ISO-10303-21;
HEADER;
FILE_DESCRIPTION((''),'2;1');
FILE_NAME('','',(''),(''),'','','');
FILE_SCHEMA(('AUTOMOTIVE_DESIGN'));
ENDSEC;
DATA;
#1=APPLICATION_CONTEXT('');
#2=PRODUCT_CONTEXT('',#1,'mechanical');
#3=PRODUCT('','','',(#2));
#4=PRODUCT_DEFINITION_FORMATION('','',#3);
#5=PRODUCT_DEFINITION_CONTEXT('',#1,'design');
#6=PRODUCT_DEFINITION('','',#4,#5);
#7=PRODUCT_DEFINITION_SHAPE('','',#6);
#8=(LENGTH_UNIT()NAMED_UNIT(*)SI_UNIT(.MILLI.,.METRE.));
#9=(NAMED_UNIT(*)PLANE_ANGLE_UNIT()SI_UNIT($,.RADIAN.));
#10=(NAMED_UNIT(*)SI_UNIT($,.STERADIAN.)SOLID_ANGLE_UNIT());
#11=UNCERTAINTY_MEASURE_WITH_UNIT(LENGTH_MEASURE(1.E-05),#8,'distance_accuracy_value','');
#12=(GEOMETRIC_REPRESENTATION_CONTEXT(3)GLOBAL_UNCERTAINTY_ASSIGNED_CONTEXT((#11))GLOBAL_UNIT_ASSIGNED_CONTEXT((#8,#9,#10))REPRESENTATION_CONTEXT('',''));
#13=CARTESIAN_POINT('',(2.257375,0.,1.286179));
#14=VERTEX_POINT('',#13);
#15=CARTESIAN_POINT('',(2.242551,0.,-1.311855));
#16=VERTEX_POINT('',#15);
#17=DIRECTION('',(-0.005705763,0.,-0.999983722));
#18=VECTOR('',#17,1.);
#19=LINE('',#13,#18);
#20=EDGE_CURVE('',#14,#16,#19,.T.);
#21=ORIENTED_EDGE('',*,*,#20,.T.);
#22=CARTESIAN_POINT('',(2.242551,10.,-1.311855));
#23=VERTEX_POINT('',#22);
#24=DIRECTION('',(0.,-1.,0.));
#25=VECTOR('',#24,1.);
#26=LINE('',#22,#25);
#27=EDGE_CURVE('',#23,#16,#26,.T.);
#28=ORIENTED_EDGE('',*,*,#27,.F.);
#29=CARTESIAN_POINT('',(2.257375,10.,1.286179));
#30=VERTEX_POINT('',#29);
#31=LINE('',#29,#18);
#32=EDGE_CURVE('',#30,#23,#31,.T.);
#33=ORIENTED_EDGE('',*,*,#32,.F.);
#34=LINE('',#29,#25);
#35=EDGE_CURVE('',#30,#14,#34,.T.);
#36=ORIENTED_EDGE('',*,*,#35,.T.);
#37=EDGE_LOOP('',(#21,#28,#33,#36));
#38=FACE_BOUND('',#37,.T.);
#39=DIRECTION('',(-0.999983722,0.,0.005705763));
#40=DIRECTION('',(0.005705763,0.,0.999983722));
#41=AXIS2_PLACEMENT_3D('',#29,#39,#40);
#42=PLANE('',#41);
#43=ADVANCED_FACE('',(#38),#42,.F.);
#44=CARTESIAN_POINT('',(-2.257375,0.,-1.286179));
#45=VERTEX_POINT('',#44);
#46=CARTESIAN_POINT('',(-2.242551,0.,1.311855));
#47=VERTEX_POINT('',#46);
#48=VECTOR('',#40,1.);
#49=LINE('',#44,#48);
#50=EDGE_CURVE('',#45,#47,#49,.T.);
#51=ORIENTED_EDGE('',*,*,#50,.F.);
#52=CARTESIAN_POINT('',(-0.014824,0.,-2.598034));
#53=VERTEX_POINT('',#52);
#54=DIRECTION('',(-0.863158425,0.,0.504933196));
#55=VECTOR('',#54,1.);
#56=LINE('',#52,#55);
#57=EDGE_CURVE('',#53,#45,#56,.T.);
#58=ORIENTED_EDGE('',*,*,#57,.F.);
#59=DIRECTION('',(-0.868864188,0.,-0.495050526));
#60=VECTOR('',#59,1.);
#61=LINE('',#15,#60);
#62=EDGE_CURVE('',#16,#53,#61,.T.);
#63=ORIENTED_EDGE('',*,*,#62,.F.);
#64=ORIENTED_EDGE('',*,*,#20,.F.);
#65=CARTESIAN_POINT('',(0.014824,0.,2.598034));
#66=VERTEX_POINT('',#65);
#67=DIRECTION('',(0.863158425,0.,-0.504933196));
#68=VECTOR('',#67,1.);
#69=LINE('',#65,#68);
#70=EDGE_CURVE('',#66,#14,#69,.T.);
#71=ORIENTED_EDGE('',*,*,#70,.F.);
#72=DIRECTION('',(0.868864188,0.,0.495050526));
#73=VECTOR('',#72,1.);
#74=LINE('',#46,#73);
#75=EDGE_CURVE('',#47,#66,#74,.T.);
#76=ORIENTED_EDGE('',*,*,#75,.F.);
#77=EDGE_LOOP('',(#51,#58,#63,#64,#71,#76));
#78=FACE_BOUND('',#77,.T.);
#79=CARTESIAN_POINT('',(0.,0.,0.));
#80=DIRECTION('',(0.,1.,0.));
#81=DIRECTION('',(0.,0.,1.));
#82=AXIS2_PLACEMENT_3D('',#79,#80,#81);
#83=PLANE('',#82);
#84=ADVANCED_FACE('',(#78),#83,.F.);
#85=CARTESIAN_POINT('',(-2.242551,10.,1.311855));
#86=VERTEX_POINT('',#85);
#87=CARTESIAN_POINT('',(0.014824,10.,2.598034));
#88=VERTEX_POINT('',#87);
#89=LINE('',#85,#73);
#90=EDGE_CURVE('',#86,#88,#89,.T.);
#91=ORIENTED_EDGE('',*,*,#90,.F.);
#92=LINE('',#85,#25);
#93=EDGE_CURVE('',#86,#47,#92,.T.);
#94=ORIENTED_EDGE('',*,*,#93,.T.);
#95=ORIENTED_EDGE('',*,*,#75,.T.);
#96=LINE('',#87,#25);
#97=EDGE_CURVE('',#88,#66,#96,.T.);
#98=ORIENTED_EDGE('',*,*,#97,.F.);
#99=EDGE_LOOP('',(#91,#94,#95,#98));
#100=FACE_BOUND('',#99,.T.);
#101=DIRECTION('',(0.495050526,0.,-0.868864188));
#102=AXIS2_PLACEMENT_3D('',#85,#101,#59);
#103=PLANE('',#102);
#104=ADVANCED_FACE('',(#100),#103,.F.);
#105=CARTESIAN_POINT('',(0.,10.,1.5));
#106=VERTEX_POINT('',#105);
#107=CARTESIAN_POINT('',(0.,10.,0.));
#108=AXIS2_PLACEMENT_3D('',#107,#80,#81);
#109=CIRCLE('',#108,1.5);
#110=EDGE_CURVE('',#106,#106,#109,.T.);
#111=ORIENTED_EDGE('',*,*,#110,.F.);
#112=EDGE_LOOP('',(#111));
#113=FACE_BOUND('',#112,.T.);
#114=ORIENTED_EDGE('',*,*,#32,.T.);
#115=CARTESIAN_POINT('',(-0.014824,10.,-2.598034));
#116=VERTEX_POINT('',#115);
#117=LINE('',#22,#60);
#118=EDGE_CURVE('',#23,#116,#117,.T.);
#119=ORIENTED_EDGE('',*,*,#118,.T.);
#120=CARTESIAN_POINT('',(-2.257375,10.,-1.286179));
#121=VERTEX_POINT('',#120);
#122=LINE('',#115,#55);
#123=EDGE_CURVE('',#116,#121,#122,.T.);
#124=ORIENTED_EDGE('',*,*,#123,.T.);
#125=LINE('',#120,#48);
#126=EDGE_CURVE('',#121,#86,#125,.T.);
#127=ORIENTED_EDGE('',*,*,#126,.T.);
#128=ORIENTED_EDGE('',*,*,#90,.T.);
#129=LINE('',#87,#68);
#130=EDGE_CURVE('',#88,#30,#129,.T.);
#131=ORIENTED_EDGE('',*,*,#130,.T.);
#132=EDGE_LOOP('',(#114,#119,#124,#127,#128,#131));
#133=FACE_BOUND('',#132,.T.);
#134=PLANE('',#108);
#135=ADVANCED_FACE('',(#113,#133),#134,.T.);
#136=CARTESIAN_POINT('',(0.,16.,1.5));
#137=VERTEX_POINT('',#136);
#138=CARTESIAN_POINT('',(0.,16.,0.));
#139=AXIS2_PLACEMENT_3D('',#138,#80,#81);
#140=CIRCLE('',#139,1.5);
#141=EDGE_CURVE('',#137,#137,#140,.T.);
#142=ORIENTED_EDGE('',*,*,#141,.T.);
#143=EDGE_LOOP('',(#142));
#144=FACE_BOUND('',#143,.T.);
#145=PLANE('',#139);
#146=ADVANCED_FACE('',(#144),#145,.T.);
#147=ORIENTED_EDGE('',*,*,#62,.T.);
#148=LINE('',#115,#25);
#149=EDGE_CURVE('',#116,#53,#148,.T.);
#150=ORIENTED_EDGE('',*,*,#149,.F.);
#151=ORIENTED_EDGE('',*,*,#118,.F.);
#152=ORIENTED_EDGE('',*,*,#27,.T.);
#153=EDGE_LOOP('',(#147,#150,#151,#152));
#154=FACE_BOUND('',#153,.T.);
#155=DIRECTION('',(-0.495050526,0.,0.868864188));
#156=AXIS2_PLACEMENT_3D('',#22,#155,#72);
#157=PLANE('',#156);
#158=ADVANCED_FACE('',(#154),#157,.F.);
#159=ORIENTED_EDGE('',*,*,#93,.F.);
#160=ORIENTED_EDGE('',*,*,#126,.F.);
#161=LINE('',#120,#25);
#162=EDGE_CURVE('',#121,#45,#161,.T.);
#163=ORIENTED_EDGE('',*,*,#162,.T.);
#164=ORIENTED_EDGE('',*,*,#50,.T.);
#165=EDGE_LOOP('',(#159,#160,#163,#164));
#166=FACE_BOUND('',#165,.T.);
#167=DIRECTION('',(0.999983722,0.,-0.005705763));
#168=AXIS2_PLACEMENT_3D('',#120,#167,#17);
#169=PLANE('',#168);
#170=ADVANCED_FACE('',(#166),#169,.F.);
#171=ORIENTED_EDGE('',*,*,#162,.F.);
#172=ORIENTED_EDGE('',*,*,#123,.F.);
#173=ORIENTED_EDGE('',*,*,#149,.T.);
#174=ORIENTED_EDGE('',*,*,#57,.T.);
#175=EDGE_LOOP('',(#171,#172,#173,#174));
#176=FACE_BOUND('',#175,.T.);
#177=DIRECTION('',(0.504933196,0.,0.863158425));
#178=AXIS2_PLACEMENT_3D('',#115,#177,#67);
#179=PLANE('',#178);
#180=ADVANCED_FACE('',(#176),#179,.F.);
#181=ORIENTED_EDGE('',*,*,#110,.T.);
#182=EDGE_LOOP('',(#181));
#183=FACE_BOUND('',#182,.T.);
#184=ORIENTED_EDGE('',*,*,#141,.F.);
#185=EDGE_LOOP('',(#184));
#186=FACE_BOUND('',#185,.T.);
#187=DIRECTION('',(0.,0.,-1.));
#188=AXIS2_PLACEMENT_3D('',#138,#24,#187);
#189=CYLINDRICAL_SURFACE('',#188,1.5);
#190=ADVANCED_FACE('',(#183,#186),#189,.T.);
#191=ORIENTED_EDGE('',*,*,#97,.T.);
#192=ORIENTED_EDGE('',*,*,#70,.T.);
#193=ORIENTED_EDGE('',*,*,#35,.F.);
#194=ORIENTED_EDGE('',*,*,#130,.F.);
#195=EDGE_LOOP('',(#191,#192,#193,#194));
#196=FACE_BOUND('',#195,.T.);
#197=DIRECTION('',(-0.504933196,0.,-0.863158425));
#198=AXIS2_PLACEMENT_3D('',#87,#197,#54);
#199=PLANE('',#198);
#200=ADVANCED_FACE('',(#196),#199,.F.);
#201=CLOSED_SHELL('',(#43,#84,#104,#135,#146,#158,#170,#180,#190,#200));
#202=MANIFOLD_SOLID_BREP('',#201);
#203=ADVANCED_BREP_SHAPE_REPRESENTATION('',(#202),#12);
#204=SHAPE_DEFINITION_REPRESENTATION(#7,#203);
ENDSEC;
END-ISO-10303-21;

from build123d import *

# Parameters (mm, degrees)
BOSS_EXTRUDE1_DEPTH = 10
SKETCH2_R           = 1.5
BOSS_EXTRUDE2_DEPTH = 6


with BuildPart() as part:
    # Sketch1 → Boss-Extrude1 (new body)
    with BuildSketch(Plane(origin=(0, 0, 0), x_dir=(1, 0, 0), z_dir=(0, 1, 0))):
        Polygon((2.257375378, -1.286178994), (2.242551372, 1.311854926), (-0.014824006, 2.59803392), (-2.257375378, 1.286178994), (-2.242551372, -1.311854926), (0.014824006, -2.59803392), align=None)
    extrude(amount=BOSS_EXTRUDE1_DEPTH)

    # Sketch2 → Boss-Extrude2 (add)
    with BuildSketch(Plane(origin=(0, 10, 0), x_dir=(1, 0, 0), z_dir=(0, 1, 0))):
        with Locations(Location((0, 0, 0), (0, 0, 270))):
            Circle(SKETCH2_R)
    extrude(amount=BOSS_EXTRUDE2_DEPTH)


solid = part.part
